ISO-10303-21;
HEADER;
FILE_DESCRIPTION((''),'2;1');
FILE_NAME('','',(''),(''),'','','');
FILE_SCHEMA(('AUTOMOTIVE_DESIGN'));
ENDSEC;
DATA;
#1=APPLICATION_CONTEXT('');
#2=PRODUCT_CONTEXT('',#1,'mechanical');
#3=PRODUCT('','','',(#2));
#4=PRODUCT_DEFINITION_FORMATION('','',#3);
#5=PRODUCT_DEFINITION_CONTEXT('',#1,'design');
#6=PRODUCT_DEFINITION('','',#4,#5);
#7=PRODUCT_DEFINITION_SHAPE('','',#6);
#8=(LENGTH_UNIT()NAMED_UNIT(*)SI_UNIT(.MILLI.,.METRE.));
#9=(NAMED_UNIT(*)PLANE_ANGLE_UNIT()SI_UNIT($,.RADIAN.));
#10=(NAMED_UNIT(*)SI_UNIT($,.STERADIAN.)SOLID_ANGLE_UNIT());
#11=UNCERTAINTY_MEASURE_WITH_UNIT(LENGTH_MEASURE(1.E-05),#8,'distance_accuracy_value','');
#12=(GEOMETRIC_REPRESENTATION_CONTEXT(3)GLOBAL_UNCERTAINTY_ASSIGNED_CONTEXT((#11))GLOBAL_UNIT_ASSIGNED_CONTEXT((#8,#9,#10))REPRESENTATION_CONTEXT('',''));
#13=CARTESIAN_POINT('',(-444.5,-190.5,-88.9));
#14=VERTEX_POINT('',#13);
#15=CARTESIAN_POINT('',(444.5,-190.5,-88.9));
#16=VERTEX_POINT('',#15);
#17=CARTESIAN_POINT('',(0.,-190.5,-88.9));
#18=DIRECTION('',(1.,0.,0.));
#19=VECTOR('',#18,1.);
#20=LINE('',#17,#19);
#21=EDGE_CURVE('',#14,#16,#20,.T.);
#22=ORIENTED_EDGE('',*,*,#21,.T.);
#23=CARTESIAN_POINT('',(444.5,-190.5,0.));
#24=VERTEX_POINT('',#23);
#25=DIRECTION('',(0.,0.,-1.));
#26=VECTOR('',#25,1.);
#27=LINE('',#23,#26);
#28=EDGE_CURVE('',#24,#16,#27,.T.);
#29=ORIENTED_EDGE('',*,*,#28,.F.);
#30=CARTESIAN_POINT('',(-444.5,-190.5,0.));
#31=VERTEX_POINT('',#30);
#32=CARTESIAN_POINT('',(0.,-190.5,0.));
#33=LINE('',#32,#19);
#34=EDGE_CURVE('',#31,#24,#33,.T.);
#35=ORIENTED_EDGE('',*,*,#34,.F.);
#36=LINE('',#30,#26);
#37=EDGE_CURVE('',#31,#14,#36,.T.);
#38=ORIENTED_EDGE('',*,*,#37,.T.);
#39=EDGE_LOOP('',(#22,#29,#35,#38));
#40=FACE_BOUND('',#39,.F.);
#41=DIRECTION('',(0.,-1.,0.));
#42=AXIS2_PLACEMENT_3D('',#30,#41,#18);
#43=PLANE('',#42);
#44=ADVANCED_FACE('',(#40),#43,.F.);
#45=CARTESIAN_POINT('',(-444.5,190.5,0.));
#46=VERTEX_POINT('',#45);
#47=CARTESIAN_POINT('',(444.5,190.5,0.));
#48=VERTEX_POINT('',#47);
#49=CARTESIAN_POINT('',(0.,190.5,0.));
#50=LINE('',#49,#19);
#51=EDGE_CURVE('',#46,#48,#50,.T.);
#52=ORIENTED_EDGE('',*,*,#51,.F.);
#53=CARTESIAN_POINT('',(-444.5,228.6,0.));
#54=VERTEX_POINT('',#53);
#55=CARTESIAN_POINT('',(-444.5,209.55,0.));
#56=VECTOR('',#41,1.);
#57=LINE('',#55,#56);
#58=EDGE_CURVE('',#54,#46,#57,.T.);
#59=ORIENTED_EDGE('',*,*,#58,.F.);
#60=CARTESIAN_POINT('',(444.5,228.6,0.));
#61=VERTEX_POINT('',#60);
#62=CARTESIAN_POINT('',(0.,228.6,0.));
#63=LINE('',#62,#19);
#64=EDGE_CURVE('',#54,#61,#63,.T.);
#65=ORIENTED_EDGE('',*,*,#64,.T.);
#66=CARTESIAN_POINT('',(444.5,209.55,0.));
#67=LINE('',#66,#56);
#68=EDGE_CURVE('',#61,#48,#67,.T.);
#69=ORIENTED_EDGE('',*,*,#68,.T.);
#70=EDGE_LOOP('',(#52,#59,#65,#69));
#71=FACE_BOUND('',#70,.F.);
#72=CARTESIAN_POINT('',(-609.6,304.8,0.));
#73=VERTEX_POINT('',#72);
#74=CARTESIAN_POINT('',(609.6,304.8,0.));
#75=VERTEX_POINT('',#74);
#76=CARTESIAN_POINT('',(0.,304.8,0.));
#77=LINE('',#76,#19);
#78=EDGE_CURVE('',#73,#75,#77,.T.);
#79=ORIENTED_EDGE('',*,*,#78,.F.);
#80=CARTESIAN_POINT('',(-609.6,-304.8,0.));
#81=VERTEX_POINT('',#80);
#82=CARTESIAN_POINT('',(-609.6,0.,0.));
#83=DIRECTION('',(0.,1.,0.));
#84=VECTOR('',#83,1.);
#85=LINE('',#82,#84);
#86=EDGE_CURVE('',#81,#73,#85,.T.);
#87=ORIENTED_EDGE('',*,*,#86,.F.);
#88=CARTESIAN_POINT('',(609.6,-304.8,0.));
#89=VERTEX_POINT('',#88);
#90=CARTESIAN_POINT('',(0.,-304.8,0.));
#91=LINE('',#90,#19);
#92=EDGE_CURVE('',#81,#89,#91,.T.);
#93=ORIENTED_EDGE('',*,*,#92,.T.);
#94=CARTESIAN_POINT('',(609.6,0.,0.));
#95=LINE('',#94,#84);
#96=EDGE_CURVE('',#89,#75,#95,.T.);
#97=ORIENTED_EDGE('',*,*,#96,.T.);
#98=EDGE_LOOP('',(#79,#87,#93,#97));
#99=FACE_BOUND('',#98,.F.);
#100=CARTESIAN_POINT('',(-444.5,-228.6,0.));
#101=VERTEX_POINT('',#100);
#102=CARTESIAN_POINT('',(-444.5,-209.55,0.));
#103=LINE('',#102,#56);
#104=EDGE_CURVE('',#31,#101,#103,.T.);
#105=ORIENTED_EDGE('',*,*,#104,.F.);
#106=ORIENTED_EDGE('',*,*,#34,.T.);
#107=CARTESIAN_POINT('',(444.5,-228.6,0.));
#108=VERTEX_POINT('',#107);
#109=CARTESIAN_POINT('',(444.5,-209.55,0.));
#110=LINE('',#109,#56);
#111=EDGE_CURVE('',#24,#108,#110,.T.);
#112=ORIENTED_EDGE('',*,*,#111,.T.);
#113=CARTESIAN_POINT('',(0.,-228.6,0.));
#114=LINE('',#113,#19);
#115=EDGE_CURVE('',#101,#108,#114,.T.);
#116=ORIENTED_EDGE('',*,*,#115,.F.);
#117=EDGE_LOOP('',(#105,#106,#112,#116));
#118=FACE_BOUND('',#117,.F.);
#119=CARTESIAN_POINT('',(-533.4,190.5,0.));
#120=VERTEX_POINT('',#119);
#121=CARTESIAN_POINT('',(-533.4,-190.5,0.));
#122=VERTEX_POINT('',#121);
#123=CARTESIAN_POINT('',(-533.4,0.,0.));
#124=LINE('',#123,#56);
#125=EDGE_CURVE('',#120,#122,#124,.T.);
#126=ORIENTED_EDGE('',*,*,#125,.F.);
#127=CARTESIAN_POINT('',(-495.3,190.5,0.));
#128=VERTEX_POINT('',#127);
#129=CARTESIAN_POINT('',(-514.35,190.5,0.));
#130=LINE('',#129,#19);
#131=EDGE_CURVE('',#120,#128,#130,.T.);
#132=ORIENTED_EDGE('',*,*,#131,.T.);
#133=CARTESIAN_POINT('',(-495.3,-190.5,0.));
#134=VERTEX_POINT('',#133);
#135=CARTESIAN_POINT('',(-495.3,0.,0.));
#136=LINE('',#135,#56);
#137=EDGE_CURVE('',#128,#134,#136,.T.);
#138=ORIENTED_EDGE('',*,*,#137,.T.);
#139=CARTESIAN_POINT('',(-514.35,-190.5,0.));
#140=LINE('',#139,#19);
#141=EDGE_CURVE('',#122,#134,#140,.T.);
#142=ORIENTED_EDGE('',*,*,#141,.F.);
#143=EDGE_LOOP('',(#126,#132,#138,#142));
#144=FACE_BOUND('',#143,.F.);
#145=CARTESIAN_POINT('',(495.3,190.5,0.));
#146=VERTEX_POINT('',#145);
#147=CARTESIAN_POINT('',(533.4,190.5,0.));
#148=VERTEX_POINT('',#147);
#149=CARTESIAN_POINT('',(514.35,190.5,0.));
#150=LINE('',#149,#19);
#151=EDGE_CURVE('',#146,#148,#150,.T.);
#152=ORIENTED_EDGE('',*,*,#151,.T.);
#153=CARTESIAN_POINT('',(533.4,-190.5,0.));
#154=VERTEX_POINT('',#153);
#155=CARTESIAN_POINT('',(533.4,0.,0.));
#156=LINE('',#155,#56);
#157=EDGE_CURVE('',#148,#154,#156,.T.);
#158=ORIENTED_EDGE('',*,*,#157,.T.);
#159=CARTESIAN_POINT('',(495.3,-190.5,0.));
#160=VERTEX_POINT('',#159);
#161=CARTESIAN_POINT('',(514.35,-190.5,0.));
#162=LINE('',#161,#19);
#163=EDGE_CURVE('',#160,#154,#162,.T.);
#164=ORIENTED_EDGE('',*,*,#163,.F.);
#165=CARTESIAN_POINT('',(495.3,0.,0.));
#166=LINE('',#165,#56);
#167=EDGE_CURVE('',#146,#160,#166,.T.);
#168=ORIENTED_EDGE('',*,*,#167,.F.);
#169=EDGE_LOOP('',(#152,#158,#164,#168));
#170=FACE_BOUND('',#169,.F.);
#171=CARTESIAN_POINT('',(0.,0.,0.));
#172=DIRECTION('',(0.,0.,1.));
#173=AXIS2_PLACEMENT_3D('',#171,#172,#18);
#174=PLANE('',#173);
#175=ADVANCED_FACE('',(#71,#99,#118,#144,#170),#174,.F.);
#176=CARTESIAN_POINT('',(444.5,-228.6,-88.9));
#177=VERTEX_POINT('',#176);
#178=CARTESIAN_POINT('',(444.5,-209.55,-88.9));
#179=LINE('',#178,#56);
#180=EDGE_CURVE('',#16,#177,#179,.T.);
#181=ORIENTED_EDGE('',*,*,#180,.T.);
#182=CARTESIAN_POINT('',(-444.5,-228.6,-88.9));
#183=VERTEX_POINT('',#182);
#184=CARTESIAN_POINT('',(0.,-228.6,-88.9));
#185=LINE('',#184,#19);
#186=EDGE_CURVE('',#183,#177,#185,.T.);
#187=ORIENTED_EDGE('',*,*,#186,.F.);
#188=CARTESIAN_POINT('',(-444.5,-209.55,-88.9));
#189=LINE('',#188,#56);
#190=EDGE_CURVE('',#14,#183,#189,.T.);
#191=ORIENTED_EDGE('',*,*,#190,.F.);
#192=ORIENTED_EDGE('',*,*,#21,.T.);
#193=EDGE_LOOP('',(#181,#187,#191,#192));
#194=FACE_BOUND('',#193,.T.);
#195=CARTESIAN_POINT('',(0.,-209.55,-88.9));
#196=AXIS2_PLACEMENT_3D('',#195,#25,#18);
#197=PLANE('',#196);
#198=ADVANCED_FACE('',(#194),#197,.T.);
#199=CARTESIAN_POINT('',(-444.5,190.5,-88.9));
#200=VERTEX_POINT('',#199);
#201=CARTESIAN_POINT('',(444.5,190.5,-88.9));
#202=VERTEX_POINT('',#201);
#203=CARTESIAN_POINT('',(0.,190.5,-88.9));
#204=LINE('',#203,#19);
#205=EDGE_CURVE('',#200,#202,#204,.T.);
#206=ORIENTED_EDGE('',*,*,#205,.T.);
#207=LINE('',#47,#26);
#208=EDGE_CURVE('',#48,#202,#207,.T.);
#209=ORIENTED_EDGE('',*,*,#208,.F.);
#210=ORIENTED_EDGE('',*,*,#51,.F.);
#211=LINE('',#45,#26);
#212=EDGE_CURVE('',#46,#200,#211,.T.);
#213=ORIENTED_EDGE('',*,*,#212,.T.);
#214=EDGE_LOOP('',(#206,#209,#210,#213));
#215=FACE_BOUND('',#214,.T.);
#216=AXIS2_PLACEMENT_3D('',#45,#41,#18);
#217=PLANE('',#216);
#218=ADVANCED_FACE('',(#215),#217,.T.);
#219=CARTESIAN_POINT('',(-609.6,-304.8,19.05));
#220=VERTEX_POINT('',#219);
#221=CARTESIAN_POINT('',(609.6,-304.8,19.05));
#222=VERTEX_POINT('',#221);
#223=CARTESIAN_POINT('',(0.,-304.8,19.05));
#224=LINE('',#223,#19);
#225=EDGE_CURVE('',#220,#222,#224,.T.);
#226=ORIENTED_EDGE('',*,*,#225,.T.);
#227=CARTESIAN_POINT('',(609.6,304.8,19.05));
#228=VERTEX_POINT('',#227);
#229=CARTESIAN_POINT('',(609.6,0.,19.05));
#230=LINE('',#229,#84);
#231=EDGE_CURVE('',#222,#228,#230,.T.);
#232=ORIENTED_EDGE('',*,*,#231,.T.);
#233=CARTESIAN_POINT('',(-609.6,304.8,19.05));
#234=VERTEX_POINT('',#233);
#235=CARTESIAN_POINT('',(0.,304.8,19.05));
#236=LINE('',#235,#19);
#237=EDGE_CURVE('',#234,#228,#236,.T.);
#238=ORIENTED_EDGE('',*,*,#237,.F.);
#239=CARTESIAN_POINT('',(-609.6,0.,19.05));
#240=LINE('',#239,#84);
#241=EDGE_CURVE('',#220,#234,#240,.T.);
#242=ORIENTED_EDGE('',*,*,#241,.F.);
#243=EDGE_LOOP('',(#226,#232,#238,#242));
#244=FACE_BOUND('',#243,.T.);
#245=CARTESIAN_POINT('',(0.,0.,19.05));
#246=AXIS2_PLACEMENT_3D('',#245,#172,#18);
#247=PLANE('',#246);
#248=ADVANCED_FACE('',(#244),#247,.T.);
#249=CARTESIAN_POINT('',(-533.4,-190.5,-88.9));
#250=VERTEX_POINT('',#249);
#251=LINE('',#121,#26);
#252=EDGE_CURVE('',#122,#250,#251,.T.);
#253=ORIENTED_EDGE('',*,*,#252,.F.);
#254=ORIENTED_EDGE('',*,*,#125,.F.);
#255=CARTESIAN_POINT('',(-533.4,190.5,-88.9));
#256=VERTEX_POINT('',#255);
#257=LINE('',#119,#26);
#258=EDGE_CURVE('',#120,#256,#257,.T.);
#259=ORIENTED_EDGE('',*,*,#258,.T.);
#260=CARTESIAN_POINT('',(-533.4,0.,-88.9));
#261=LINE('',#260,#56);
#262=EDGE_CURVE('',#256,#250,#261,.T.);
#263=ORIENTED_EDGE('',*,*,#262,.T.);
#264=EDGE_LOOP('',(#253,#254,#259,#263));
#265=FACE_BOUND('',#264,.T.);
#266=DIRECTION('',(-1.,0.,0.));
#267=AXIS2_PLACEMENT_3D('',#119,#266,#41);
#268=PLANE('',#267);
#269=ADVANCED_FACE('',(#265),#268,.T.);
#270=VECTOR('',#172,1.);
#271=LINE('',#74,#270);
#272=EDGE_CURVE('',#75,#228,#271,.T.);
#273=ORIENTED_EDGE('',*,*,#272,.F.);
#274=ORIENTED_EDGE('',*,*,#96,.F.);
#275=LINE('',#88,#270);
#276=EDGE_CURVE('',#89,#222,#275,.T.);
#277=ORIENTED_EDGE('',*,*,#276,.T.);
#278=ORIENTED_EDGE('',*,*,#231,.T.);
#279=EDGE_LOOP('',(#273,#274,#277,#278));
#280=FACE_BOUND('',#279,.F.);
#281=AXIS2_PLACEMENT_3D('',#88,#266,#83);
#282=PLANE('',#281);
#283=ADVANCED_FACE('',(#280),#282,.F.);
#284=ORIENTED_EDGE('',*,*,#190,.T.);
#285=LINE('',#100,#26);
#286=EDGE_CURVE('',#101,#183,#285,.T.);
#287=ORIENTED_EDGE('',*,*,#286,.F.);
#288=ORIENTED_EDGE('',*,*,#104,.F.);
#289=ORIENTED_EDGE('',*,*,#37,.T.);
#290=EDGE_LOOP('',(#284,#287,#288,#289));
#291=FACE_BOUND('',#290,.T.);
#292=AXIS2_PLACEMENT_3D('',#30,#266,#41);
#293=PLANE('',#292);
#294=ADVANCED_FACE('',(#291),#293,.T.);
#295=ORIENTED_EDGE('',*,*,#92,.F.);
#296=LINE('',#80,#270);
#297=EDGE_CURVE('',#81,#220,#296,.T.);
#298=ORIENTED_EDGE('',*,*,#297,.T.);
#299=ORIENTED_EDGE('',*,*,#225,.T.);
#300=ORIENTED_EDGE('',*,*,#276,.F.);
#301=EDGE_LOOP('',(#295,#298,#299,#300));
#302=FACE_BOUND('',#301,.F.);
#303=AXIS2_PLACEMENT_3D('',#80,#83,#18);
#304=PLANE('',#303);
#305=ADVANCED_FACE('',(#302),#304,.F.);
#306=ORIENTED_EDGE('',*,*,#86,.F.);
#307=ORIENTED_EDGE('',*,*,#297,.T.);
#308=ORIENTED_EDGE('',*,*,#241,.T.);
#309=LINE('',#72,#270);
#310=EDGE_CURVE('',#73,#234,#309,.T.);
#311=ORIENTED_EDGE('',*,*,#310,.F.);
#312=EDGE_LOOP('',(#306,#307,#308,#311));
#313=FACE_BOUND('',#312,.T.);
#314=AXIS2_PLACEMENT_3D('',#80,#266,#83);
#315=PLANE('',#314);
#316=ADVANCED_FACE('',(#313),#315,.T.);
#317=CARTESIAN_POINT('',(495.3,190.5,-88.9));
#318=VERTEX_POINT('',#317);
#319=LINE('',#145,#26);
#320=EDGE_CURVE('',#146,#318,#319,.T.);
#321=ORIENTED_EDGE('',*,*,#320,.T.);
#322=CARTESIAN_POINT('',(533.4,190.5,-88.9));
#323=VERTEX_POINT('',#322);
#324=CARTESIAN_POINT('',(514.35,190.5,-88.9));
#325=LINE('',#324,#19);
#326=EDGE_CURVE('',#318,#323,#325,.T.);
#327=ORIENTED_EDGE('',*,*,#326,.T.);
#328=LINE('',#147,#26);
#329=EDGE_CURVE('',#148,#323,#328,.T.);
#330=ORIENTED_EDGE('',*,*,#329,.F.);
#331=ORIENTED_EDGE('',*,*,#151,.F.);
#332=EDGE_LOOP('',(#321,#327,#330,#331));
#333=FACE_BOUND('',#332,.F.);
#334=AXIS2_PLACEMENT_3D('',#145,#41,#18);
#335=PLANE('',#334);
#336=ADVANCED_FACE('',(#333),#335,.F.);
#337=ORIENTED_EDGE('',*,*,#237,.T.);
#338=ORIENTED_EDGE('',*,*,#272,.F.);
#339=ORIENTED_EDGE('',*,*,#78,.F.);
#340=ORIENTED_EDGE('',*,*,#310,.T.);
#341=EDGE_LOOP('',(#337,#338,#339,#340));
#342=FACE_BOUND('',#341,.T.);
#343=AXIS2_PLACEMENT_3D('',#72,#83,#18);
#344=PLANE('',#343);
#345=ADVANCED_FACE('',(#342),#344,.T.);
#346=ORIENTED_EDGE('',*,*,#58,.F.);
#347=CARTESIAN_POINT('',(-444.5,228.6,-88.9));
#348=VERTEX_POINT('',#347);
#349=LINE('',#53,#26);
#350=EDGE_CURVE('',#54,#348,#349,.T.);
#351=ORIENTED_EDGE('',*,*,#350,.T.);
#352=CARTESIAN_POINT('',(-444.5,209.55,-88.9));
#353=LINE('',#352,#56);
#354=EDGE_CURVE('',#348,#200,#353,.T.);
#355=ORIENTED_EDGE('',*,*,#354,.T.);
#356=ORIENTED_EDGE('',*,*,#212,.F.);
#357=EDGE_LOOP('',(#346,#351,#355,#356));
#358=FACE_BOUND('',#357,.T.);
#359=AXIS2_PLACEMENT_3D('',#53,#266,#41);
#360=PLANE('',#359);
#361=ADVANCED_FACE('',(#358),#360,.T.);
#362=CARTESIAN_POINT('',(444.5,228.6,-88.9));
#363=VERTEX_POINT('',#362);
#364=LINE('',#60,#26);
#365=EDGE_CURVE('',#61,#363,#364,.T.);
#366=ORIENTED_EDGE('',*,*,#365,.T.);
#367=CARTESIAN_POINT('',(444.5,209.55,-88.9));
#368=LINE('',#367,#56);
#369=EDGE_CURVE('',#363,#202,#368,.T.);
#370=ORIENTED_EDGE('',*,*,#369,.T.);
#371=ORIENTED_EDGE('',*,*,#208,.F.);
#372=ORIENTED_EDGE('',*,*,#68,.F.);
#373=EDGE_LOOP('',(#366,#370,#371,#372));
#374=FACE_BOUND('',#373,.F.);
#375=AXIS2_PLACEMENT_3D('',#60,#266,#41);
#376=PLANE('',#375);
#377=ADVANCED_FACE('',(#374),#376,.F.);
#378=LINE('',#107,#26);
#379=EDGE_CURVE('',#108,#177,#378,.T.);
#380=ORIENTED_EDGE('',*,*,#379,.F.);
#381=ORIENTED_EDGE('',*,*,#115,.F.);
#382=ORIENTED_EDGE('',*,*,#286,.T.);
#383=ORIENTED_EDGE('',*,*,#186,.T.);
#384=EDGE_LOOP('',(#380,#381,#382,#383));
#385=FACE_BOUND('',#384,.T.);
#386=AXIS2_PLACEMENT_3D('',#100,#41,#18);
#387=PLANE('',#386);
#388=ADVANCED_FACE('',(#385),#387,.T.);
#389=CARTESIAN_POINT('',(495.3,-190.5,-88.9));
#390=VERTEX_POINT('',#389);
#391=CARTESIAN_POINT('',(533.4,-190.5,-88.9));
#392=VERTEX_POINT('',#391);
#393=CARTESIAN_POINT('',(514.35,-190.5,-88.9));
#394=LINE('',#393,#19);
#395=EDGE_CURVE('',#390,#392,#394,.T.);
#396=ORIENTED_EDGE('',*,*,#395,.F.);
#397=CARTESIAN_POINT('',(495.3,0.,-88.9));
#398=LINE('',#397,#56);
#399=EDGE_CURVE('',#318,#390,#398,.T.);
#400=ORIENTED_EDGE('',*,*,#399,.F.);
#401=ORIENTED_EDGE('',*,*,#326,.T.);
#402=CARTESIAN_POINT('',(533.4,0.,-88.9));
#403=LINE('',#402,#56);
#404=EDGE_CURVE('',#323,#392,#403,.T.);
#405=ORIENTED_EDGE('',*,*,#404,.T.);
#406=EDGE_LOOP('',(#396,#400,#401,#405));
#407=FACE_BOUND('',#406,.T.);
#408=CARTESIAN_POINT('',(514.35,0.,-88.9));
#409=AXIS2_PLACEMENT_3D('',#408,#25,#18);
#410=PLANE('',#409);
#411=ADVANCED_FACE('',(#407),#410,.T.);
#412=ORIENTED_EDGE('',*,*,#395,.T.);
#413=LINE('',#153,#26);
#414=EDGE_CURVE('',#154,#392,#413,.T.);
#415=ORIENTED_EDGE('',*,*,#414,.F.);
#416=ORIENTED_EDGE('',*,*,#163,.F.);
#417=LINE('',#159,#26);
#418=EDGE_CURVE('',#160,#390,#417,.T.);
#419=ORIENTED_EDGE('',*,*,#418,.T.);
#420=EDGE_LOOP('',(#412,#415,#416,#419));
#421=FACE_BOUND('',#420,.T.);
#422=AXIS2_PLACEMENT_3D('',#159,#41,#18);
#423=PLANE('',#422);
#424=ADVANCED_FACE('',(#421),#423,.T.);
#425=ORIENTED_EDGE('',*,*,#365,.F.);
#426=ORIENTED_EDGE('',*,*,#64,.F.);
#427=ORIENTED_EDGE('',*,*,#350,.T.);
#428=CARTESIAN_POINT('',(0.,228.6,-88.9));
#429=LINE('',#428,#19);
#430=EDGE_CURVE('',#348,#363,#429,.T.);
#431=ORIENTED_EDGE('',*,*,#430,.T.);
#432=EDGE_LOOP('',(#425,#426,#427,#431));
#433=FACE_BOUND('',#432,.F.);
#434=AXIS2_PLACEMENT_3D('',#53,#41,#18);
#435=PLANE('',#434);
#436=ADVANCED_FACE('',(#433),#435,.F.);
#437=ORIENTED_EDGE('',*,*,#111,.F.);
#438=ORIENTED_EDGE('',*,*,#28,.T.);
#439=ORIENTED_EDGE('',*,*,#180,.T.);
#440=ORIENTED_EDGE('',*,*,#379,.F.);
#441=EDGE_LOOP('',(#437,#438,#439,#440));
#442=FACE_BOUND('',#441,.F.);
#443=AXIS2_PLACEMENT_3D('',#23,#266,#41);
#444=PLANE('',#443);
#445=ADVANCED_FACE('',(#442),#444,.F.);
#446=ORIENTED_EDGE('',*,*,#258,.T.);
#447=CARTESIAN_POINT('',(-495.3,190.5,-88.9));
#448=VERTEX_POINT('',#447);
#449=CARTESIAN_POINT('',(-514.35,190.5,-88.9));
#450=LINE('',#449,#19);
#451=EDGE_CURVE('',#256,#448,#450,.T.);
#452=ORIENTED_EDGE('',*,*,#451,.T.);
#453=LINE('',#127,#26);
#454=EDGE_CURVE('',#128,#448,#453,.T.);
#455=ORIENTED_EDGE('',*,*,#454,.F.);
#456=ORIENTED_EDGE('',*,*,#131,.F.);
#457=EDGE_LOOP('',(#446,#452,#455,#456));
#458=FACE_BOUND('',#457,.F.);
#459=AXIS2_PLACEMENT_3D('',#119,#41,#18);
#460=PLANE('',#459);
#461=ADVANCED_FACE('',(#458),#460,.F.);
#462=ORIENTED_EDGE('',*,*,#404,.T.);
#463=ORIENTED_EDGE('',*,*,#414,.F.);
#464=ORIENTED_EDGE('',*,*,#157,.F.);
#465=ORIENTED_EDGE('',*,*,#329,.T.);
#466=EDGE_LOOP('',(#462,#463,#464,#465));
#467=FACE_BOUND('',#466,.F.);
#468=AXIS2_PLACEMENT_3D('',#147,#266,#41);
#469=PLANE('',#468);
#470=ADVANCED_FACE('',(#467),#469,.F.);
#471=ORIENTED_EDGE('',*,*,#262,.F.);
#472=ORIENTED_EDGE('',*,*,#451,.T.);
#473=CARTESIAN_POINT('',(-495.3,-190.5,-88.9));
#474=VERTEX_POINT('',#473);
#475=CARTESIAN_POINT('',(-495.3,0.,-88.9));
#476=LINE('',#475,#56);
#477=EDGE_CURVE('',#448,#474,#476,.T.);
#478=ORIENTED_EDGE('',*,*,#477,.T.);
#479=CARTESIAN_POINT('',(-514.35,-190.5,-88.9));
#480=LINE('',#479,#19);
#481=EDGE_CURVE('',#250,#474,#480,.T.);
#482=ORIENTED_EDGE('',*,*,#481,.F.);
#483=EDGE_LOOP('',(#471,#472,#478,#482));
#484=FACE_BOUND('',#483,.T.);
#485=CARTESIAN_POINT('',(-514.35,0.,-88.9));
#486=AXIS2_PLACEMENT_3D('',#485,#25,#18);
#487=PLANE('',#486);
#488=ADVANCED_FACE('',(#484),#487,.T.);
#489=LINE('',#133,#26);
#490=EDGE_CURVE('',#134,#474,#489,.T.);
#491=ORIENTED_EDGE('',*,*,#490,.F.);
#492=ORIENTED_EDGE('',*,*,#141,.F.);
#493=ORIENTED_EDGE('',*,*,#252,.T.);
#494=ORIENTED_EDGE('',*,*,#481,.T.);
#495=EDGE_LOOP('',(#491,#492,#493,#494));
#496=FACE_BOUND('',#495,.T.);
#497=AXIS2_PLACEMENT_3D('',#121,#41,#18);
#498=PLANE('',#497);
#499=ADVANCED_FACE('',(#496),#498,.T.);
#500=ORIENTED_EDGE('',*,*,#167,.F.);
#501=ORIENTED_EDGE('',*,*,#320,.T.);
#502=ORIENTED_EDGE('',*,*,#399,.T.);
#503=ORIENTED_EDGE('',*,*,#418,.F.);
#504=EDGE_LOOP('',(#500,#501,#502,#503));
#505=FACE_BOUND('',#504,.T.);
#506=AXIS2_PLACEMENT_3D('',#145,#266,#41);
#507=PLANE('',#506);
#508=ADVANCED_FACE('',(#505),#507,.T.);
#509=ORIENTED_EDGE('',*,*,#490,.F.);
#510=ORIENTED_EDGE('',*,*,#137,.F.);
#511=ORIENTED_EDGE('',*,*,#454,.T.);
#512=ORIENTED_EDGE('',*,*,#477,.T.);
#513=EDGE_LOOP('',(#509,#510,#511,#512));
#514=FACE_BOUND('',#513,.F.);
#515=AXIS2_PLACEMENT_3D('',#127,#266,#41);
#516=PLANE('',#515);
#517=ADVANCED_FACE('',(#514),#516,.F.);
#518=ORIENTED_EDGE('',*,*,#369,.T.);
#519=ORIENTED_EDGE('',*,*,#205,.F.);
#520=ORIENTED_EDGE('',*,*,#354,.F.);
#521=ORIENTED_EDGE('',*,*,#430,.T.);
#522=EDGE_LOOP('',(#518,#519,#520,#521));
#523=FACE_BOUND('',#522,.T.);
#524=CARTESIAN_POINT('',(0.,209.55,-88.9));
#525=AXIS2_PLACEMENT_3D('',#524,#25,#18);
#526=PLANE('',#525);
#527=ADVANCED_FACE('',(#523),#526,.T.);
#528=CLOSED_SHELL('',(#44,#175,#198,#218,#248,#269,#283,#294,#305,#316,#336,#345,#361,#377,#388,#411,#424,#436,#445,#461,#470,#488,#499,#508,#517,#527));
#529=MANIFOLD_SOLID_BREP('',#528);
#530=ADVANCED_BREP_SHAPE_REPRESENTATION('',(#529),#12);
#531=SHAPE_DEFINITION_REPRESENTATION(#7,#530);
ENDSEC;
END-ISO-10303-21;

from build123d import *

# Parameters (mm, degrees)
F0_W     = 1219.2
F0_H     = 609.6
F1_DEPTH = 19.05
F2_W     = 889
F2_H     = 38.1
F2_W_2   = 38.1
F2_H_2   = 381
F3_DEPTH = 88.9


with BuildPart() as f1:
    # F0 (on Top) → F1 (new body)
    with BuildSketch(Plane.XY):
        Rectangle(F0_W, F0_H)
    extrude(amount=F1_DEPTH)

    # F2 (on face) → F3 (join)
    with BuildSketch(Plane(origin=(0, 0, 0), x_dir=(1, 0, 0), z_dir=(0, 0, -1))):
        with Locations((0, 209.55)):
            Rectangle(F2_W, F2_H)
        with Locations((0, -209.55)):
            Rectangle(F2_W, F2_H)
        with Locations((-514.35, 0)):
            Rectangle(F2_W_2, F2_H_2)
        with Locations((514.35, 0)):
            Rectangle(F2_W_2, F2_H_2)
    extrude(amount=F3_DEPTH)


solid = f1.part
